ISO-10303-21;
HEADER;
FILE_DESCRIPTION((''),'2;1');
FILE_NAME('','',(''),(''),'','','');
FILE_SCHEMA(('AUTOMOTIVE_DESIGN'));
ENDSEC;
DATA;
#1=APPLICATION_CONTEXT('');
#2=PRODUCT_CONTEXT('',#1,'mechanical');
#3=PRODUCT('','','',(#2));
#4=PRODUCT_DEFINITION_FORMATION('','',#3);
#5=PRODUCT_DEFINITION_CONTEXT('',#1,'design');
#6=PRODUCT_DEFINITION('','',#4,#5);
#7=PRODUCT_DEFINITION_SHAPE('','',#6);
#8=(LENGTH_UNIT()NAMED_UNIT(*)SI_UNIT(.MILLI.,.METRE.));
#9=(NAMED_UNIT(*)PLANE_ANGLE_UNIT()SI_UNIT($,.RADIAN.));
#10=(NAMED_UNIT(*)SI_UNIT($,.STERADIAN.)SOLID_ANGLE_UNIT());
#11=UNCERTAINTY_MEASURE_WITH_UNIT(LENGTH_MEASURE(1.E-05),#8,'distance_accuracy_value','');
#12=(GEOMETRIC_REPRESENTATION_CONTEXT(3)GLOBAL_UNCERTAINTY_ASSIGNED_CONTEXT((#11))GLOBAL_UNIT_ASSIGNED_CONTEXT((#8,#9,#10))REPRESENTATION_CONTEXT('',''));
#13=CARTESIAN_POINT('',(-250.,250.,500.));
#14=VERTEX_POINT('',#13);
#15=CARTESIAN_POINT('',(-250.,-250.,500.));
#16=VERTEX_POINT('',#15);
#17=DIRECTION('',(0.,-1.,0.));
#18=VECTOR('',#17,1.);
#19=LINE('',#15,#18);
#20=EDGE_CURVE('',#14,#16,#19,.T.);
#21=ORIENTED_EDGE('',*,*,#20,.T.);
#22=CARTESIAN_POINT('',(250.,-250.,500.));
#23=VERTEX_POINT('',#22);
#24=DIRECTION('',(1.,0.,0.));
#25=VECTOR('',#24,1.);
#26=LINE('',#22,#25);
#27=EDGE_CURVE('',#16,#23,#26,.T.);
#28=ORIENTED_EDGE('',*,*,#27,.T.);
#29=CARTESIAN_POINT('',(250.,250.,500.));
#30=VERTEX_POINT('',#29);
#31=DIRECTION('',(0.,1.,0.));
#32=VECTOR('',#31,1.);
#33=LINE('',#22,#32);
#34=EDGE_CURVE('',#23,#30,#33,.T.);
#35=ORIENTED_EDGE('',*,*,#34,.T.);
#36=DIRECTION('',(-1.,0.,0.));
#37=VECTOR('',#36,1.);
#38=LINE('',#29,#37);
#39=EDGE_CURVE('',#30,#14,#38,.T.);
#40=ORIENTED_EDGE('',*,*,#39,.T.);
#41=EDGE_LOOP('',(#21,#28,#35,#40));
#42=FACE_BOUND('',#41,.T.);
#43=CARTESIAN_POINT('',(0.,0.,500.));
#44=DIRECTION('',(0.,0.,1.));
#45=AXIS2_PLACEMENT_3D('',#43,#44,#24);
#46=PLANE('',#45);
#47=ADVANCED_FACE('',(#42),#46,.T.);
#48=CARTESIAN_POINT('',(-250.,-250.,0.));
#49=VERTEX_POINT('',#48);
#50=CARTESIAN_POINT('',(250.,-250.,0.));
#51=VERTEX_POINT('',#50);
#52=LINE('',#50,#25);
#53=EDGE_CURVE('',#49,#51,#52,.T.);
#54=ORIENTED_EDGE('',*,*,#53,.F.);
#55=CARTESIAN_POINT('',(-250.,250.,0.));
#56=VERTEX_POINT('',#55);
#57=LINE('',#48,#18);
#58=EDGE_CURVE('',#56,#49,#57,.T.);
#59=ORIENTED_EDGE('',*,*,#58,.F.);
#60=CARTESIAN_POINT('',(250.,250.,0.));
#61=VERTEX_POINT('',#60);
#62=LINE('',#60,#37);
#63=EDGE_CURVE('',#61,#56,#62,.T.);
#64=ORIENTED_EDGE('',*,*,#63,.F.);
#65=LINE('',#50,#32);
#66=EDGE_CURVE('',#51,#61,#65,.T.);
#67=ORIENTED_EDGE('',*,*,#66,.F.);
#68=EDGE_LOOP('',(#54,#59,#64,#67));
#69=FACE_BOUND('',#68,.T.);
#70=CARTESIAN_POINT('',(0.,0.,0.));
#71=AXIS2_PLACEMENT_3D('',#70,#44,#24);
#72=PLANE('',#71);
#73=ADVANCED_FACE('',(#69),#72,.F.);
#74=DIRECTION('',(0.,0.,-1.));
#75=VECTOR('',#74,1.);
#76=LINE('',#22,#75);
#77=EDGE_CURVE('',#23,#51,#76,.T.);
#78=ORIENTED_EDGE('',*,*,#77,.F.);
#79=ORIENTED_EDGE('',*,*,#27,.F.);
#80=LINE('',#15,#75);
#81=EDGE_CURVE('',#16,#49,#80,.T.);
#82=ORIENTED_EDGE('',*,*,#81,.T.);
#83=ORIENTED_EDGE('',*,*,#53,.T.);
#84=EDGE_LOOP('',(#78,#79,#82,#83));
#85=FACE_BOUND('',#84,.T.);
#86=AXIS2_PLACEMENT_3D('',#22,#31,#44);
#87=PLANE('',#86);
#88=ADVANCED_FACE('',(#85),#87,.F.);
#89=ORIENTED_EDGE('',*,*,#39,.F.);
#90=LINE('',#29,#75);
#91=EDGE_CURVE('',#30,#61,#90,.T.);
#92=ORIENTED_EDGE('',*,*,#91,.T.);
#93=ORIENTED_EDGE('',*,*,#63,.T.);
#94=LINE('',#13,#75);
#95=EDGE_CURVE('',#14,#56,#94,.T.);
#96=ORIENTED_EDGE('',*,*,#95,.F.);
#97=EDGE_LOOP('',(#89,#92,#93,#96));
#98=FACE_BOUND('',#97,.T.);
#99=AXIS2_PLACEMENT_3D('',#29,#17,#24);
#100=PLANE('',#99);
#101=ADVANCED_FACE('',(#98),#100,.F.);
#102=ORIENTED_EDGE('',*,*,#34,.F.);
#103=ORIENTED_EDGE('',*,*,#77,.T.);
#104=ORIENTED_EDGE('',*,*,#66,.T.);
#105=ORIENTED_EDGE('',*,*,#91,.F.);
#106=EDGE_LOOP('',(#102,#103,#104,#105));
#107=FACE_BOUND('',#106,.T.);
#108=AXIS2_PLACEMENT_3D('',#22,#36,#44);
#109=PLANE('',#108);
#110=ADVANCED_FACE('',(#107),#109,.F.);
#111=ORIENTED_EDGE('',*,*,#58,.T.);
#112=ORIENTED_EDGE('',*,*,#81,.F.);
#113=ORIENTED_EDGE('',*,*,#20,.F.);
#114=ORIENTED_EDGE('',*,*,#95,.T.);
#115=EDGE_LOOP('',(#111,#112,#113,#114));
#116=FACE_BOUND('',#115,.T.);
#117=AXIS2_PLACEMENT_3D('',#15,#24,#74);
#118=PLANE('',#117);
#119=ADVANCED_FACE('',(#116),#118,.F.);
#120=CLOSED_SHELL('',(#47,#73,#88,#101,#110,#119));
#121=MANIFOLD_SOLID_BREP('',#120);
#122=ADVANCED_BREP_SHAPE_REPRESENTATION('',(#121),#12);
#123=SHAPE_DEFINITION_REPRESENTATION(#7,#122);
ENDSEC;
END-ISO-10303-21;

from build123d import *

# Parameters (mm, degrees)
CROQUIS3_W              = 500
CROQUIS3_H              = 500
SALIENTE_EXTRUIR1_DEPTH = 500


with BuildPart() as part:
    # Croquis3 → Saliente-Extruir1 (new body)
    with BuildSketch(Plane.XY):
        Rectangle(CROQUIS3_W, CROQUIS3_H)
    extrude(amount=SALIENTE_EXTRUIR1_DEPTH)


solid = part.part
